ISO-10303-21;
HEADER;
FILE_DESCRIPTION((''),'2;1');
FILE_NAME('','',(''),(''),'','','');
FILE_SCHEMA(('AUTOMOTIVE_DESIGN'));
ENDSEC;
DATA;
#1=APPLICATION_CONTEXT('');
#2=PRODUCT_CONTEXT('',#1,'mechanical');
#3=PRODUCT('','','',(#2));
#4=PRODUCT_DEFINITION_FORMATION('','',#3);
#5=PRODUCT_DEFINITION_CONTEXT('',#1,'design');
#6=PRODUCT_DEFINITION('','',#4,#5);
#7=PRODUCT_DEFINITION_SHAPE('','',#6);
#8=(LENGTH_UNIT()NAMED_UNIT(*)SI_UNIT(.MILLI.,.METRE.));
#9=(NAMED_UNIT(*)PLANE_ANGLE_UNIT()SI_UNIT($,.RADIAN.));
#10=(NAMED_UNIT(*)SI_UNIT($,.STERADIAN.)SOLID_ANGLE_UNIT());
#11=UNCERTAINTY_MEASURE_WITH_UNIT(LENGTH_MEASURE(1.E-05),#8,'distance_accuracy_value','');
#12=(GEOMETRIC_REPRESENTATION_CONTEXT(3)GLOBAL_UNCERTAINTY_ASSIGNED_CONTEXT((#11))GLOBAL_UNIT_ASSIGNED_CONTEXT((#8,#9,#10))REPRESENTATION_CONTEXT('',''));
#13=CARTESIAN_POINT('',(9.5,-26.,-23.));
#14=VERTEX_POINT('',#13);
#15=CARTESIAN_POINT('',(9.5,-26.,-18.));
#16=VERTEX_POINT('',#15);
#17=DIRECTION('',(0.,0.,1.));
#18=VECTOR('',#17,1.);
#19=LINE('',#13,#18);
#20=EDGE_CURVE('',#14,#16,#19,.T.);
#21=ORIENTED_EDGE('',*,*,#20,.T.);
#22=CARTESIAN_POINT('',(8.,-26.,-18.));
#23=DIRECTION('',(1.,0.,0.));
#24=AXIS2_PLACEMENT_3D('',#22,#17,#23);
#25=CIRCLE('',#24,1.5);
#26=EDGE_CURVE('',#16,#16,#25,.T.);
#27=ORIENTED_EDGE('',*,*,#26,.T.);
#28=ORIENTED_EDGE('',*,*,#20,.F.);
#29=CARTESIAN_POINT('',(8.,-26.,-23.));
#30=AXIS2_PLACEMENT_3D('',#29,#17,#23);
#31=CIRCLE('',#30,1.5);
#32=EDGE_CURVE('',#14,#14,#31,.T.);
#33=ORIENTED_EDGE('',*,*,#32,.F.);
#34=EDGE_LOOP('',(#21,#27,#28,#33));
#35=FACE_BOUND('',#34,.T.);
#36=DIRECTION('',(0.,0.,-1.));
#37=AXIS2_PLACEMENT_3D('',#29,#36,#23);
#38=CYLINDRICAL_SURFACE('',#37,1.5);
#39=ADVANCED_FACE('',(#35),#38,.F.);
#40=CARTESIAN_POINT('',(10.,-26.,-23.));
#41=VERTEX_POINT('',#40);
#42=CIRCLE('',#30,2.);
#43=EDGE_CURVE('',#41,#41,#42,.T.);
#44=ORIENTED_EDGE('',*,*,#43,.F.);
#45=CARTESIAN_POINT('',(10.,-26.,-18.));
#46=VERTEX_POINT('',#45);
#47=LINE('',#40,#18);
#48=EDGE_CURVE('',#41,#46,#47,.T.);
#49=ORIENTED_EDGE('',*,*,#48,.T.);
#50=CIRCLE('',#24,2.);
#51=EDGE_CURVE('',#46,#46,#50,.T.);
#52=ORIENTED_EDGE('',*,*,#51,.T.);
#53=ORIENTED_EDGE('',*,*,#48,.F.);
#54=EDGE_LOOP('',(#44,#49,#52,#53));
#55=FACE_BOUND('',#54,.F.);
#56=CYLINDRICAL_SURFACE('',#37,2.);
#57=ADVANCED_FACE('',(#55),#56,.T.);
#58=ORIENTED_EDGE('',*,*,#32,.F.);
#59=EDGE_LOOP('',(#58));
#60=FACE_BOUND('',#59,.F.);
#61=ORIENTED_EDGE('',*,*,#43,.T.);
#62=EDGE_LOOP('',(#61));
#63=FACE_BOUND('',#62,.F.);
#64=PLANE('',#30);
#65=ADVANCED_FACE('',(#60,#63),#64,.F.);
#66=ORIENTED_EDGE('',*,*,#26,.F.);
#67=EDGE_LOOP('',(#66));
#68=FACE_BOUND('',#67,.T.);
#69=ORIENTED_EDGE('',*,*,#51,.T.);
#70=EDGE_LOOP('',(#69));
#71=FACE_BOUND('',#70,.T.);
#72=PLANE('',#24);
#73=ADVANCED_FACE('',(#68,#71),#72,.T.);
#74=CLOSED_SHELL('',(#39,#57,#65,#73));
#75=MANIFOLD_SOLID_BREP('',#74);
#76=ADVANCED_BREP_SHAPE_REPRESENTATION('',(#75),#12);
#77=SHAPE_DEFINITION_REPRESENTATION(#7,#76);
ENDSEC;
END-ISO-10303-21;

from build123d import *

# Parameters (mm, degrees)
CYLINDER_R        = 1.5
CYLINDER_DEPTH    = 5
CYLINDER001_R     = 2
CYLINDER001_DEPTH = 5


with BuildPart() as cylinderouter:
    # Cylinder → Cylinder (new body)
    with BuildSketch(Plane(origin=(8, -26, -23), x_dir=(1, 0, 0), z_dir=(0, 0, 1))):
        Circle(CYLINDER_R)
    extrude(amount=CYLINDER_DEPTH)


with BuildPart() as espsup001:
    # Cylinder001 → Cylinder001 (new body)
    with BuildSketch(Plane(origin=(8, -26, -23), x_dir=(1, 0, 0), z_dir=(0, 0, 1))):
        Circle(CYLINDER001_R)
    extrude(amount=CYLINDER001_DEPTH)

    # Cut001: cut CylinderOuter
    add(cylinderouter.part, mode=Mode.SUBTRACT)


solid = espsup001.part
